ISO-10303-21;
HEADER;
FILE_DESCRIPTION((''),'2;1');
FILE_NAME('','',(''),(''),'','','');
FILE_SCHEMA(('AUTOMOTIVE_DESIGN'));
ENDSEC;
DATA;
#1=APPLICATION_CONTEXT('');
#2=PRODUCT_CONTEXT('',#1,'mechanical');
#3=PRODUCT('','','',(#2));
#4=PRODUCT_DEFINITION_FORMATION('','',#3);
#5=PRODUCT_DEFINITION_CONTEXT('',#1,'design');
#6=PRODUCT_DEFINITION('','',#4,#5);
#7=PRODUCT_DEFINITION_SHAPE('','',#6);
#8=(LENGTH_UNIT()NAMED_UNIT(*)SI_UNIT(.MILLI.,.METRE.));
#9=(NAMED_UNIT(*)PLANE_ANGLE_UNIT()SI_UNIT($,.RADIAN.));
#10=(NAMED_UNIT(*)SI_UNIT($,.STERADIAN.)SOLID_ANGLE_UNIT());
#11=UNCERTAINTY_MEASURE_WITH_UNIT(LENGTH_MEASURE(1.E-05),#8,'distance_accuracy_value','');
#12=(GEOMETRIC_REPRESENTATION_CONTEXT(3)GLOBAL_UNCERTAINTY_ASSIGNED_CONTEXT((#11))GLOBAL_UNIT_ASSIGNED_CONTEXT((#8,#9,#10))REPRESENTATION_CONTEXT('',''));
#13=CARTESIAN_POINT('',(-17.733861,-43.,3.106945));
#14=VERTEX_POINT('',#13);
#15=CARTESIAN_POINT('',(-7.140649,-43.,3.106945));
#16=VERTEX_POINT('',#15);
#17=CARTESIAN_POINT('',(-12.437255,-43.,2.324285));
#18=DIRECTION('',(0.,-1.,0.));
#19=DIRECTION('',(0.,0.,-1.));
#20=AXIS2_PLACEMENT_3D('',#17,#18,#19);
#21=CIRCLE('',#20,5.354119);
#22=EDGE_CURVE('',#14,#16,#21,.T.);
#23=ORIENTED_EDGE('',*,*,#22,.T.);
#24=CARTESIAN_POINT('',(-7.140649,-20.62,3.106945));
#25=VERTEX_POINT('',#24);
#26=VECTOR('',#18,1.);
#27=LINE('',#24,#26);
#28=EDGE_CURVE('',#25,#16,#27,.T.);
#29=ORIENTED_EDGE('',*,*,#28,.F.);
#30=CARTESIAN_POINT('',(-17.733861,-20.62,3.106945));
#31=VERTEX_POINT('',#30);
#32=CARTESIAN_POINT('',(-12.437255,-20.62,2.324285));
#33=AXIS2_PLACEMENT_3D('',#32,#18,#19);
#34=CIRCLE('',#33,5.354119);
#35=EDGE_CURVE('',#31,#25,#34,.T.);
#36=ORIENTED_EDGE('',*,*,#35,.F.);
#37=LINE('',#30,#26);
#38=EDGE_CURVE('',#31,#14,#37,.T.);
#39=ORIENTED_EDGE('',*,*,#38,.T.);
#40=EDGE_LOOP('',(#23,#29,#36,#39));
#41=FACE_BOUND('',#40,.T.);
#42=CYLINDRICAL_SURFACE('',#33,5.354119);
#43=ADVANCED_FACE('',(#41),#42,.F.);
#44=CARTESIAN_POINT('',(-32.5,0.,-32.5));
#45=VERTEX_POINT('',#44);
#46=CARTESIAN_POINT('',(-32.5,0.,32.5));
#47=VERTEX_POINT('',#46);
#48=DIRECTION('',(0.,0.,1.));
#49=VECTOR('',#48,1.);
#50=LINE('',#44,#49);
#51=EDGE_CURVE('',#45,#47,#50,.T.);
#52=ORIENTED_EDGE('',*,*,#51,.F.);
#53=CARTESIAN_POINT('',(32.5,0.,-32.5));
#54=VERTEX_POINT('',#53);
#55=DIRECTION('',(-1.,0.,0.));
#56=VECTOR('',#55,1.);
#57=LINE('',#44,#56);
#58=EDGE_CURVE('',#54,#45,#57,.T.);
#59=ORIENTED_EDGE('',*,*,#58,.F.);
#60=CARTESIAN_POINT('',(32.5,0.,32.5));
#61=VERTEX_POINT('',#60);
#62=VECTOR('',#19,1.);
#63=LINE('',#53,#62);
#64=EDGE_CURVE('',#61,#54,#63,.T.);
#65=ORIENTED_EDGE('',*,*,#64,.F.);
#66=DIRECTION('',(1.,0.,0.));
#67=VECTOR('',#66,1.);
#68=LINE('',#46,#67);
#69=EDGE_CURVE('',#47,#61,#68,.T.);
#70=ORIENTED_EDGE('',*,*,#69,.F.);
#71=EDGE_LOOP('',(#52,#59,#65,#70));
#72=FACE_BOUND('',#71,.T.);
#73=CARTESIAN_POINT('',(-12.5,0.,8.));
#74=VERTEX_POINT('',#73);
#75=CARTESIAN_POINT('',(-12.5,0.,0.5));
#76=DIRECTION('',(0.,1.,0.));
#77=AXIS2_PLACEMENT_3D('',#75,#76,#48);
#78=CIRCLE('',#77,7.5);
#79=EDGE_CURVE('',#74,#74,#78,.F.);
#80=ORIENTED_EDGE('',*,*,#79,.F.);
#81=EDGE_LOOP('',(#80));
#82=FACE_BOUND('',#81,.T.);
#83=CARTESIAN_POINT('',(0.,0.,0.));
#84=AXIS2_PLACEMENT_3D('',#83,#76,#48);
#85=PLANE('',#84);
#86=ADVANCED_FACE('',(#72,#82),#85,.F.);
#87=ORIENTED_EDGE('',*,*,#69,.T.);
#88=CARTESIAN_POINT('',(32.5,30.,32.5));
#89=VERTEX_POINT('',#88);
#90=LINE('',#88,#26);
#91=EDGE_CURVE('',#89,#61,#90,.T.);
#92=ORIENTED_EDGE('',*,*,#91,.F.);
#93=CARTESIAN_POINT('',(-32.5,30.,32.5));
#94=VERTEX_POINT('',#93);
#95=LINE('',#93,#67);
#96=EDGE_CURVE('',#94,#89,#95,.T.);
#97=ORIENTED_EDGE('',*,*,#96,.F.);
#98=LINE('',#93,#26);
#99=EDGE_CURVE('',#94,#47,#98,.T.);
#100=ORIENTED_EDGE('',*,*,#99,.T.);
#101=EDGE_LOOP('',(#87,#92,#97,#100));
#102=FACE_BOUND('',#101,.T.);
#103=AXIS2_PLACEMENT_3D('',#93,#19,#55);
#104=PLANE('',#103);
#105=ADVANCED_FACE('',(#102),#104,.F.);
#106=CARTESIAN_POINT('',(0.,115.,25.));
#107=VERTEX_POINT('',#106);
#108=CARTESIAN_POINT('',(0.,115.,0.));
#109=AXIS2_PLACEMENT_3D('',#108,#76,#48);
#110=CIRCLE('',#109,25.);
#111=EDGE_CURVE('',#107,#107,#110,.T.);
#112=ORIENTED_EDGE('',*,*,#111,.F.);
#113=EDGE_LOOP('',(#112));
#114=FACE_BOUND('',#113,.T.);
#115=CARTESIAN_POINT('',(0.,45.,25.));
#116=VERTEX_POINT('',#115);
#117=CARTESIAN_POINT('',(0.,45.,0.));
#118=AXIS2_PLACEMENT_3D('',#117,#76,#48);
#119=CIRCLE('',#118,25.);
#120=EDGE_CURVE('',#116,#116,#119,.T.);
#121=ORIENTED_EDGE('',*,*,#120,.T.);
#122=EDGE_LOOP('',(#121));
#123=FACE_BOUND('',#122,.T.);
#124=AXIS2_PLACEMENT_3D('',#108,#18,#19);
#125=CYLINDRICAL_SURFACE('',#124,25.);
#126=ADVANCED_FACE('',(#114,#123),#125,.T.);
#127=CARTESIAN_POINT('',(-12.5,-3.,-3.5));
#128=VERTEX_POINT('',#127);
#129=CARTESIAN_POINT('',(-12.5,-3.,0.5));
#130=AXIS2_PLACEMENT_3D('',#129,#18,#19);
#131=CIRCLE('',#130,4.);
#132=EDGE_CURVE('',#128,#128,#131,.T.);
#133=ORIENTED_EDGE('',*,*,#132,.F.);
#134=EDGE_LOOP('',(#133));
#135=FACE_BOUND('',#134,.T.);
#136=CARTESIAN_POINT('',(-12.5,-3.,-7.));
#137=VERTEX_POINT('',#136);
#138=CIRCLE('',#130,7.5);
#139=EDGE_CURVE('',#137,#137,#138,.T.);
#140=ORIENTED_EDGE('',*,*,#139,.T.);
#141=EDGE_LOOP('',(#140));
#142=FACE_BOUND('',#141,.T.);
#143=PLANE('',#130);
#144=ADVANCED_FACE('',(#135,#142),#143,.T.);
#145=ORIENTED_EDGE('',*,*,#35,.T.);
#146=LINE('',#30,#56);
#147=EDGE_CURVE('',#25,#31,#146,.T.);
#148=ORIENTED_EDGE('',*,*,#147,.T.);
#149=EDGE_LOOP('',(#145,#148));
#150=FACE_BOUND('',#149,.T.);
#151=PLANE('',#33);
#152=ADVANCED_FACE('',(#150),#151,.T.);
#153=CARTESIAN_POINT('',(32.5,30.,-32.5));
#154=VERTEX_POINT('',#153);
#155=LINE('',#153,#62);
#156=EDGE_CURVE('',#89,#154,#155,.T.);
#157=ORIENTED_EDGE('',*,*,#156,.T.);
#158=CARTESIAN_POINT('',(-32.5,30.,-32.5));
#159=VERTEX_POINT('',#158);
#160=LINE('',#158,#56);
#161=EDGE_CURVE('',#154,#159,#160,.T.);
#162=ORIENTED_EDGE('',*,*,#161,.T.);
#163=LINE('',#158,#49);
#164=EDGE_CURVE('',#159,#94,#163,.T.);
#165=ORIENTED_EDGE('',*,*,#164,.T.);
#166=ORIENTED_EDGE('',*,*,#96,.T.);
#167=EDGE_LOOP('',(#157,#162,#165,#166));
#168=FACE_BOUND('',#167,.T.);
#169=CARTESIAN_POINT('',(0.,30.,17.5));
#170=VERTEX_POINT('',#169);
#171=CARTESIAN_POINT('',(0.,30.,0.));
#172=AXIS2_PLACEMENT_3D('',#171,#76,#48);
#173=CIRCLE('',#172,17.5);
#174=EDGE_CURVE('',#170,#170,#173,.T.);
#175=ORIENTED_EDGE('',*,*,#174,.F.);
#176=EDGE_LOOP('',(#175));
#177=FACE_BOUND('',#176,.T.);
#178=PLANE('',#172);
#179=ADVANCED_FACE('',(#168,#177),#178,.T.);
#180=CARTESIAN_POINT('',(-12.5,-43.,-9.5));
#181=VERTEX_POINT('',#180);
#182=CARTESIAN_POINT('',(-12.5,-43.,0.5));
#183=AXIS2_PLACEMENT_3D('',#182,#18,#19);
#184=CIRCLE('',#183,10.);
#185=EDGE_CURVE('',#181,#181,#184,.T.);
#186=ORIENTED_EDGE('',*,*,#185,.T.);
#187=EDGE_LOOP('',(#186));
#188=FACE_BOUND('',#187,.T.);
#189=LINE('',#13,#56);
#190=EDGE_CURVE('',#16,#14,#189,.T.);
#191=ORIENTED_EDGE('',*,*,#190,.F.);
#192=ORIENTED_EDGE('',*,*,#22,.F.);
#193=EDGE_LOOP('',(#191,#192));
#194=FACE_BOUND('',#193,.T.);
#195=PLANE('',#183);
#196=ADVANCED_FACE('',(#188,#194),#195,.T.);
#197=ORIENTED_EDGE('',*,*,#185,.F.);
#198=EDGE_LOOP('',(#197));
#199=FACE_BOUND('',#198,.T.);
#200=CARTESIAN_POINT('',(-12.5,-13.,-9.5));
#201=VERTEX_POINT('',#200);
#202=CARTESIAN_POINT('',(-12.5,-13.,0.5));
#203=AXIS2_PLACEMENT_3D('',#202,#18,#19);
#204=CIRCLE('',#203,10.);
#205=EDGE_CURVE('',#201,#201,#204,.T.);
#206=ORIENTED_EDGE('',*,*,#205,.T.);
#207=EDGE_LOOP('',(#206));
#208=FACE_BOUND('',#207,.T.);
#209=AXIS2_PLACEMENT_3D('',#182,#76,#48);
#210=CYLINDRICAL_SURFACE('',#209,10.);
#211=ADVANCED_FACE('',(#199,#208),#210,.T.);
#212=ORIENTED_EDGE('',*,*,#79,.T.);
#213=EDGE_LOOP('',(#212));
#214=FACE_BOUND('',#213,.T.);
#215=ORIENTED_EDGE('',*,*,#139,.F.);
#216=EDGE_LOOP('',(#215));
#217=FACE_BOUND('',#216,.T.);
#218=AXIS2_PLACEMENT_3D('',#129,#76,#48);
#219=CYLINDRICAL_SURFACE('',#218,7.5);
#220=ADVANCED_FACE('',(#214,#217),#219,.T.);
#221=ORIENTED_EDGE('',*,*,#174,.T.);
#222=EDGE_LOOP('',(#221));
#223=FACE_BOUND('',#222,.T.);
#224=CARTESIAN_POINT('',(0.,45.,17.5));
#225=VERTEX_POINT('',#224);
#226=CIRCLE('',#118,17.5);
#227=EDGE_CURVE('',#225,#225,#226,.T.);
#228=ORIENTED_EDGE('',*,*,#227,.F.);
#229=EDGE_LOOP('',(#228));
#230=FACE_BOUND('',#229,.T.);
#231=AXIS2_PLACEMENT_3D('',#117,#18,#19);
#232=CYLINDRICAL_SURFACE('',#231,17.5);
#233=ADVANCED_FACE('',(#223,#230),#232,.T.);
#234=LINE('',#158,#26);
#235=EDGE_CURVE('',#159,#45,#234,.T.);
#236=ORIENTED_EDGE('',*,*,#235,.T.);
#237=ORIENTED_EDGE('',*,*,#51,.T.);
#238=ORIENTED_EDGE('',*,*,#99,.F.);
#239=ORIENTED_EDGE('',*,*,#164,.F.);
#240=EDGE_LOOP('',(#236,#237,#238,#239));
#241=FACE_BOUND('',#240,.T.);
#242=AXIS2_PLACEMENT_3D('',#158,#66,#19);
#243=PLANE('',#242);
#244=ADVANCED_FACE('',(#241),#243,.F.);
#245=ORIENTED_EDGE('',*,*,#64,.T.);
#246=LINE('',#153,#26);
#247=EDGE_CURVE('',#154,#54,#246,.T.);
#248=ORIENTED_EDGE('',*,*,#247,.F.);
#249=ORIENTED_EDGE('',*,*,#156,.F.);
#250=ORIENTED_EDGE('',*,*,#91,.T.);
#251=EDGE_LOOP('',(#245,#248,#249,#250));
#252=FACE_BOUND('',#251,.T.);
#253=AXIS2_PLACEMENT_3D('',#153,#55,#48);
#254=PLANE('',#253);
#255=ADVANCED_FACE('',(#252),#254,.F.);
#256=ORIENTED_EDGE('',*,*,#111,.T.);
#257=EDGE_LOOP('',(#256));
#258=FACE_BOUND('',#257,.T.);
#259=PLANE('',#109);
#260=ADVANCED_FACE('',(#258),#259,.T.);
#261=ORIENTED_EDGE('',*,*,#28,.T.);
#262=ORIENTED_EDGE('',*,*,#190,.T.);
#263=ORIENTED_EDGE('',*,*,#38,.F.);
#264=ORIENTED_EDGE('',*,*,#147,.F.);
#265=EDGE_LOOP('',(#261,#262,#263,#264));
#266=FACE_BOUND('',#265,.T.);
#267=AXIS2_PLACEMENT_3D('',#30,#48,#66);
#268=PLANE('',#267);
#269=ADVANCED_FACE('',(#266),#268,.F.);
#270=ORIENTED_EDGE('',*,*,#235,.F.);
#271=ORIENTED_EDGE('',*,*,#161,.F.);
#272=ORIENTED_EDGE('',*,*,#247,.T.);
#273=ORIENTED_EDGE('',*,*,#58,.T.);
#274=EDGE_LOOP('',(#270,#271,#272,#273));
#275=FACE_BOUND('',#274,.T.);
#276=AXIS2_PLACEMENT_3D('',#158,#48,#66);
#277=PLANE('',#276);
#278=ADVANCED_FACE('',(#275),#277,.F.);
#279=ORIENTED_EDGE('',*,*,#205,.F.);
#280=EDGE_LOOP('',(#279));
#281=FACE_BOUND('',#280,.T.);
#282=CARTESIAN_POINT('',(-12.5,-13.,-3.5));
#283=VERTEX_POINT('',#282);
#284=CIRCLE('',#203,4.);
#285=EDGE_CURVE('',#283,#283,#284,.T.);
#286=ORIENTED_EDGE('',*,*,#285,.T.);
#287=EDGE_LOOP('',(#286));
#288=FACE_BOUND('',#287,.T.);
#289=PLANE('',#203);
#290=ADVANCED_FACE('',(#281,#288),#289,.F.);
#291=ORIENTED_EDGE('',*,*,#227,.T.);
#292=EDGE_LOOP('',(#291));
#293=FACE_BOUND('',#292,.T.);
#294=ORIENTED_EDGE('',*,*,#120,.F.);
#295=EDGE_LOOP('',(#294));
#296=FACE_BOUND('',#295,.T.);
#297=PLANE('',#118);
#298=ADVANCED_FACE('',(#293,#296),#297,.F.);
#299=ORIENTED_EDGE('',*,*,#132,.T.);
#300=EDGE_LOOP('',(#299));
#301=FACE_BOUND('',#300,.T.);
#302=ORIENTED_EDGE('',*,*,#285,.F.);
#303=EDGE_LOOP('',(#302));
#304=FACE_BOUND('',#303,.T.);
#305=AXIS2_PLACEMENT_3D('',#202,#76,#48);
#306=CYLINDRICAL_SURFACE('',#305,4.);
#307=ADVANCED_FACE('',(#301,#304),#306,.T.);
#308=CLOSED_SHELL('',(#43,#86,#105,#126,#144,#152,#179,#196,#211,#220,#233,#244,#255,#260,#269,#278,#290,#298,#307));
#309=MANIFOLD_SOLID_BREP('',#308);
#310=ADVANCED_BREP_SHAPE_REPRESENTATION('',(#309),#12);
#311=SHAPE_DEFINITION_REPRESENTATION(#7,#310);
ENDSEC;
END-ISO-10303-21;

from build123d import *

# Parameters (mm, degrees)
SKETCH1_W           = 65
SKETCH1_H           = 65
BOSS_EXTRUDE1_DEPTH = 30
SKETCH3_R           = 17.5
BOSS_EXTRUDE2_DEPTH = 15
SKETCH4_R           = 25
BOSS_EXTRUDE3_DEPTH = 70
SKETCH5_R           = 7.5
BOSS_EXTRUDE4_DEPTH = 3
SKETCH6_R           = 4
BOSS_EXTRUDE5_DEPTH = 10
SKETCH7_R           = 10
BOSS_EXTRUDE6_DEPTH = 30
CUT_EXTRUDE1_DEPTH  = 22.38


with BuildPart() as part:
    # Sketch1 → Boss-Extrude1 (new body)
    with BuildSketch(Plane(origin=(0, 0, 0), x_dir=(1, 0, 0), z_dir=(0, 1, 0))):
        Rectangle(SKETCH1_W, SKETCH1_H)
    extrude(amount=BOSS_EXTRUDE1_DEPTH)

    # Sketch3 → Boss-Extrude2 (add)
    with BuildSketch(Plane(origin=(0, 30, 0), x_dir=(1, 0, 0), z_dir=(0, 1, 0))):
        Circle(SKETCH3_R)
    extrude(amount=BOSS_EXTRUDE2_DEPTH)

    # Sketch4 → Boss-Extrude3 (add)
    with BuildSketch(Plane(origin=(0, 45, 0), x_dir=(1, 0, 0), z_dir=(0, 1, 0))):
        Circle(SKETCH4_R)
    extrude(amount=BOSS_EXTRUDE3_DEPTH)

    # Sketch5 → Boss-Extrude4 (add)
    with BuildSketch(Plane.XZ):
        with Locations((-12.500000122, 0.50000004)):
            Circle(SKETCH5_R)
    extrude(amount=BOSS_EXTRUDE4_DEPTH)

    # Sketch6 → Boss-Extrude5 (add)
    with BuildSketch(Plane.XZ.offset(3)):
        with Locations((-12.500000122, 0.50000004)):
            Circle(SKETCH6_R)
    extrude(amount=BOSS_EXTRUDE5_DEPTH)

    # Sketch7 → Boss-Extrude6 (add)
    with BuildSketch(Plane.XZ.offset(13)):
        with Locations((-12.500000122, 0.50000004)):
            Circle(SKETCH7_R)
    extrude(amount=BOSS_EXTRUDE6_DEPTH)

    # Sketch8 → Cut-Extrude1 (cut)
    with BuildSketch(Plane.XZ.offset(43)):
        with BuildLine():
            Line((-17.733861002, 3.106945343), (-7.140648736, 3.106945343))
            ThreePointArc((-7.140648736, 3.106945343), (-12.437254869, -3.029833946), (-17.733861002, 3.106945343))
        make_face()
    extrude(amount=-CUT_EXTRUDE1_DEPTH, mode=Mode.SUBTRACT)


solid = part.part
